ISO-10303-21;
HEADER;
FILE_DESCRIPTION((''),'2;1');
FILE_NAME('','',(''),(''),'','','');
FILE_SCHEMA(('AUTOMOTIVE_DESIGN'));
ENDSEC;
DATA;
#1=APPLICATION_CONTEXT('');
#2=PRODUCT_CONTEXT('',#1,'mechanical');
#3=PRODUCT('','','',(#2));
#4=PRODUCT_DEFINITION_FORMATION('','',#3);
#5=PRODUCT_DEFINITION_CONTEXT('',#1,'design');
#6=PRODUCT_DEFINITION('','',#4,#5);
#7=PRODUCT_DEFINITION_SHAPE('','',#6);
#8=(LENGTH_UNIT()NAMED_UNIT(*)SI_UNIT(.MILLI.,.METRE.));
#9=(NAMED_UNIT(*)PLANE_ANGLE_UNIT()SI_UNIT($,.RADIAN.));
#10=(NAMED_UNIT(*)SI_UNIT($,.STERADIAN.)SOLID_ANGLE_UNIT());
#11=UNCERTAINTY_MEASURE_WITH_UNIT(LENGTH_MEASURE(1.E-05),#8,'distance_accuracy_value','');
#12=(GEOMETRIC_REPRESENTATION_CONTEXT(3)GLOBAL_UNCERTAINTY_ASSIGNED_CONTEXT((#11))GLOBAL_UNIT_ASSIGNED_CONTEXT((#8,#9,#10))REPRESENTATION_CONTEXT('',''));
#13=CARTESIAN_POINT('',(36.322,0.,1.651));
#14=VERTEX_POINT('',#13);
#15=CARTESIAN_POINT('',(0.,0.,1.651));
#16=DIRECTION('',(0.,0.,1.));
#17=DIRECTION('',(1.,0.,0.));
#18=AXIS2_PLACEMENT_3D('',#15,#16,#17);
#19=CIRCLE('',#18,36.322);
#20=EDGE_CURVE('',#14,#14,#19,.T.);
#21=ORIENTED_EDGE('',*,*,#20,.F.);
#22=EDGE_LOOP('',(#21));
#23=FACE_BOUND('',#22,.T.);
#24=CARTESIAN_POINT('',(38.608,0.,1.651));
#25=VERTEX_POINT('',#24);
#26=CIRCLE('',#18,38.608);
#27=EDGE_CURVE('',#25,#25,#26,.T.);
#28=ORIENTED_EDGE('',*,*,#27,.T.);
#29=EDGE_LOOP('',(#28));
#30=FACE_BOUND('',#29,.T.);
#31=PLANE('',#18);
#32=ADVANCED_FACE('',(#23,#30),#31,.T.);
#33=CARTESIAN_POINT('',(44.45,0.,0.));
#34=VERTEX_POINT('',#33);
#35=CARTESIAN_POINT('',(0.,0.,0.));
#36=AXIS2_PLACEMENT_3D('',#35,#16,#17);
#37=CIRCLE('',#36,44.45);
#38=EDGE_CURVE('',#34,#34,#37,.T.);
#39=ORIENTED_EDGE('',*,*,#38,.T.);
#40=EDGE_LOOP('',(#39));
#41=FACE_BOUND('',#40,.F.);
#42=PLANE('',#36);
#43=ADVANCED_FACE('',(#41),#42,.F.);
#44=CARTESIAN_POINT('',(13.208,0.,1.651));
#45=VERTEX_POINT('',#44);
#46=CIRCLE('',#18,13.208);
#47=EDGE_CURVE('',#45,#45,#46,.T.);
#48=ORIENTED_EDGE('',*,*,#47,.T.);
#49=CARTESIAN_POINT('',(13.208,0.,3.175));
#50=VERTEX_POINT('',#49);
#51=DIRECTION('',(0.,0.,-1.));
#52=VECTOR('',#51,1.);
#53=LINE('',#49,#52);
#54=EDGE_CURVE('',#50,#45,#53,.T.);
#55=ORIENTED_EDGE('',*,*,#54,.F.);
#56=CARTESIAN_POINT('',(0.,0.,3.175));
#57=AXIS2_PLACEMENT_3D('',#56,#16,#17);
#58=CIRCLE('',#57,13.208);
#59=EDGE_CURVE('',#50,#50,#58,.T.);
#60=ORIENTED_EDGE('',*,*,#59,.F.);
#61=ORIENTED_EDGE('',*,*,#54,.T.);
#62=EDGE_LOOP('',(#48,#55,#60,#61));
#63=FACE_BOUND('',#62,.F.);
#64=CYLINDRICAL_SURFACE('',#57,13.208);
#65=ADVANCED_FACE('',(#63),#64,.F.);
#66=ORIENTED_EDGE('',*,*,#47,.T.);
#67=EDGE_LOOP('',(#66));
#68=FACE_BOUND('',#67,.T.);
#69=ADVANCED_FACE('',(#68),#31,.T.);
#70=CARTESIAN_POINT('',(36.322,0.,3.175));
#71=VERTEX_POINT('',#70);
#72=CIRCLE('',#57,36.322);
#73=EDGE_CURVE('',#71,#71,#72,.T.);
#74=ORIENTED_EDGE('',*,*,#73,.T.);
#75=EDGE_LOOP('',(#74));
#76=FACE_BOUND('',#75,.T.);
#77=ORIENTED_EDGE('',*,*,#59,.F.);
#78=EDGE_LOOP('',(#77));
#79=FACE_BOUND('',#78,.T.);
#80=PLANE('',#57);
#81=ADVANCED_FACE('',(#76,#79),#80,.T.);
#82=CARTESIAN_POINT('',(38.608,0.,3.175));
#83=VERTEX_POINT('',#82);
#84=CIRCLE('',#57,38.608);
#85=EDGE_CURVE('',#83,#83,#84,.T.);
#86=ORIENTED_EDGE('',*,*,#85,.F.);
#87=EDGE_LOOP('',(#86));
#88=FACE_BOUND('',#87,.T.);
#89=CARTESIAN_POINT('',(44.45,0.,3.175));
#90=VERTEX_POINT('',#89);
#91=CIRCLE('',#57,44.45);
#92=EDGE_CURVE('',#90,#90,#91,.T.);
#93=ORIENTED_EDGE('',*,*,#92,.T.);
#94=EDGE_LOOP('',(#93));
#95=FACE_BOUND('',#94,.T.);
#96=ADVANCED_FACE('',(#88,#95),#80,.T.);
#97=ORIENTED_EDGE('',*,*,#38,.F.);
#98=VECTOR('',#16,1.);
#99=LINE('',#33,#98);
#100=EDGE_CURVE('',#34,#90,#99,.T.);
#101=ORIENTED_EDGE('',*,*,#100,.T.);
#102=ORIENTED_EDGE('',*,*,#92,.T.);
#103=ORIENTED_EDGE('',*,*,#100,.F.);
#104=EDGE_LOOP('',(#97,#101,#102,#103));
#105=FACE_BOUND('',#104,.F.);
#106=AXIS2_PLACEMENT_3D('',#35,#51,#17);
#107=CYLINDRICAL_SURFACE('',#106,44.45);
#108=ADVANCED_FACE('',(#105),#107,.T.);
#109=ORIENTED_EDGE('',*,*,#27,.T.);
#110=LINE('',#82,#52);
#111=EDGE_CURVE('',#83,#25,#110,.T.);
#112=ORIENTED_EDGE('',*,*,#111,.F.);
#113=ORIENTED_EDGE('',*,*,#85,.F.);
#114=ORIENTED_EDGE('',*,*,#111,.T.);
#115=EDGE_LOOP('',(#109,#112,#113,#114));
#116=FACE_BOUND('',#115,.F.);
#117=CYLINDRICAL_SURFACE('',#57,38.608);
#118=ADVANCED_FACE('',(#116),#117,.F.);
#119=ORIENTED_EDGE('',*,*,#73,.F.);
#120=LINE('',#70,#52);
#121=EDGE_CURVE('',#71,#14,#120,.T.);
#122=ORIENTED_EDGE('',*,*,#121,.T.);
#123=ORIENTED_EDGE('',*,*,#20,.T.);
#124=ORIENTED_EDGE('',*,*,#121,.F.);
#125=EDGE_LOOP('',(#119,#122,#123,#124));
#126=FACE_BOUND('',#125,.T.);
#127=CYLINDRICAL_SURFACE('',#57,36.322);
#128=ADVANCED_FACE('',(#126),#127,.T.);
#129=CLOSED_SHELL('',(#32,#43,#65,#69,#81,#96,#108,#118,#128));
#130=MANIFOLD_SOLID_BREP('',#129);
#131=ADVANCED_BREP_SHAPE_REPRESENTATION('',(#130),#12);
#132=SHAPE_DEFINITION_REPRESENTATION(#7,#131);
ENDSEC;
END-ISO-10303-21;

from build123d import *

# Parameters (mm, degrees)
F0_R     = 44.45
F1_DEPTH = 3.175
F2_R     = 38.608
F2_R_2   = 36.322
F2_R_3   = 13.208
F3_DEPTH = 1.524


with BuildPart() as f1:
    # F0 (on Top) → F1 (new body)
    with BuildSketch(Plane.XY):
        Circle(F0_R)
    extrude(amount=F1_DEPTH)

    # F2 (on face) → F3 (cut)
    with BuildSketch(Plane.XY.offset(3.175)):
        Circle(F2_R)
        Circle(F2_R_2, mode=Mode.SUBTRACT)
        Circle(F2_R_3)
    extrude(amount=-F3_DEPTH, mode=Mode.SUBTRACT)


solid = f1.part
